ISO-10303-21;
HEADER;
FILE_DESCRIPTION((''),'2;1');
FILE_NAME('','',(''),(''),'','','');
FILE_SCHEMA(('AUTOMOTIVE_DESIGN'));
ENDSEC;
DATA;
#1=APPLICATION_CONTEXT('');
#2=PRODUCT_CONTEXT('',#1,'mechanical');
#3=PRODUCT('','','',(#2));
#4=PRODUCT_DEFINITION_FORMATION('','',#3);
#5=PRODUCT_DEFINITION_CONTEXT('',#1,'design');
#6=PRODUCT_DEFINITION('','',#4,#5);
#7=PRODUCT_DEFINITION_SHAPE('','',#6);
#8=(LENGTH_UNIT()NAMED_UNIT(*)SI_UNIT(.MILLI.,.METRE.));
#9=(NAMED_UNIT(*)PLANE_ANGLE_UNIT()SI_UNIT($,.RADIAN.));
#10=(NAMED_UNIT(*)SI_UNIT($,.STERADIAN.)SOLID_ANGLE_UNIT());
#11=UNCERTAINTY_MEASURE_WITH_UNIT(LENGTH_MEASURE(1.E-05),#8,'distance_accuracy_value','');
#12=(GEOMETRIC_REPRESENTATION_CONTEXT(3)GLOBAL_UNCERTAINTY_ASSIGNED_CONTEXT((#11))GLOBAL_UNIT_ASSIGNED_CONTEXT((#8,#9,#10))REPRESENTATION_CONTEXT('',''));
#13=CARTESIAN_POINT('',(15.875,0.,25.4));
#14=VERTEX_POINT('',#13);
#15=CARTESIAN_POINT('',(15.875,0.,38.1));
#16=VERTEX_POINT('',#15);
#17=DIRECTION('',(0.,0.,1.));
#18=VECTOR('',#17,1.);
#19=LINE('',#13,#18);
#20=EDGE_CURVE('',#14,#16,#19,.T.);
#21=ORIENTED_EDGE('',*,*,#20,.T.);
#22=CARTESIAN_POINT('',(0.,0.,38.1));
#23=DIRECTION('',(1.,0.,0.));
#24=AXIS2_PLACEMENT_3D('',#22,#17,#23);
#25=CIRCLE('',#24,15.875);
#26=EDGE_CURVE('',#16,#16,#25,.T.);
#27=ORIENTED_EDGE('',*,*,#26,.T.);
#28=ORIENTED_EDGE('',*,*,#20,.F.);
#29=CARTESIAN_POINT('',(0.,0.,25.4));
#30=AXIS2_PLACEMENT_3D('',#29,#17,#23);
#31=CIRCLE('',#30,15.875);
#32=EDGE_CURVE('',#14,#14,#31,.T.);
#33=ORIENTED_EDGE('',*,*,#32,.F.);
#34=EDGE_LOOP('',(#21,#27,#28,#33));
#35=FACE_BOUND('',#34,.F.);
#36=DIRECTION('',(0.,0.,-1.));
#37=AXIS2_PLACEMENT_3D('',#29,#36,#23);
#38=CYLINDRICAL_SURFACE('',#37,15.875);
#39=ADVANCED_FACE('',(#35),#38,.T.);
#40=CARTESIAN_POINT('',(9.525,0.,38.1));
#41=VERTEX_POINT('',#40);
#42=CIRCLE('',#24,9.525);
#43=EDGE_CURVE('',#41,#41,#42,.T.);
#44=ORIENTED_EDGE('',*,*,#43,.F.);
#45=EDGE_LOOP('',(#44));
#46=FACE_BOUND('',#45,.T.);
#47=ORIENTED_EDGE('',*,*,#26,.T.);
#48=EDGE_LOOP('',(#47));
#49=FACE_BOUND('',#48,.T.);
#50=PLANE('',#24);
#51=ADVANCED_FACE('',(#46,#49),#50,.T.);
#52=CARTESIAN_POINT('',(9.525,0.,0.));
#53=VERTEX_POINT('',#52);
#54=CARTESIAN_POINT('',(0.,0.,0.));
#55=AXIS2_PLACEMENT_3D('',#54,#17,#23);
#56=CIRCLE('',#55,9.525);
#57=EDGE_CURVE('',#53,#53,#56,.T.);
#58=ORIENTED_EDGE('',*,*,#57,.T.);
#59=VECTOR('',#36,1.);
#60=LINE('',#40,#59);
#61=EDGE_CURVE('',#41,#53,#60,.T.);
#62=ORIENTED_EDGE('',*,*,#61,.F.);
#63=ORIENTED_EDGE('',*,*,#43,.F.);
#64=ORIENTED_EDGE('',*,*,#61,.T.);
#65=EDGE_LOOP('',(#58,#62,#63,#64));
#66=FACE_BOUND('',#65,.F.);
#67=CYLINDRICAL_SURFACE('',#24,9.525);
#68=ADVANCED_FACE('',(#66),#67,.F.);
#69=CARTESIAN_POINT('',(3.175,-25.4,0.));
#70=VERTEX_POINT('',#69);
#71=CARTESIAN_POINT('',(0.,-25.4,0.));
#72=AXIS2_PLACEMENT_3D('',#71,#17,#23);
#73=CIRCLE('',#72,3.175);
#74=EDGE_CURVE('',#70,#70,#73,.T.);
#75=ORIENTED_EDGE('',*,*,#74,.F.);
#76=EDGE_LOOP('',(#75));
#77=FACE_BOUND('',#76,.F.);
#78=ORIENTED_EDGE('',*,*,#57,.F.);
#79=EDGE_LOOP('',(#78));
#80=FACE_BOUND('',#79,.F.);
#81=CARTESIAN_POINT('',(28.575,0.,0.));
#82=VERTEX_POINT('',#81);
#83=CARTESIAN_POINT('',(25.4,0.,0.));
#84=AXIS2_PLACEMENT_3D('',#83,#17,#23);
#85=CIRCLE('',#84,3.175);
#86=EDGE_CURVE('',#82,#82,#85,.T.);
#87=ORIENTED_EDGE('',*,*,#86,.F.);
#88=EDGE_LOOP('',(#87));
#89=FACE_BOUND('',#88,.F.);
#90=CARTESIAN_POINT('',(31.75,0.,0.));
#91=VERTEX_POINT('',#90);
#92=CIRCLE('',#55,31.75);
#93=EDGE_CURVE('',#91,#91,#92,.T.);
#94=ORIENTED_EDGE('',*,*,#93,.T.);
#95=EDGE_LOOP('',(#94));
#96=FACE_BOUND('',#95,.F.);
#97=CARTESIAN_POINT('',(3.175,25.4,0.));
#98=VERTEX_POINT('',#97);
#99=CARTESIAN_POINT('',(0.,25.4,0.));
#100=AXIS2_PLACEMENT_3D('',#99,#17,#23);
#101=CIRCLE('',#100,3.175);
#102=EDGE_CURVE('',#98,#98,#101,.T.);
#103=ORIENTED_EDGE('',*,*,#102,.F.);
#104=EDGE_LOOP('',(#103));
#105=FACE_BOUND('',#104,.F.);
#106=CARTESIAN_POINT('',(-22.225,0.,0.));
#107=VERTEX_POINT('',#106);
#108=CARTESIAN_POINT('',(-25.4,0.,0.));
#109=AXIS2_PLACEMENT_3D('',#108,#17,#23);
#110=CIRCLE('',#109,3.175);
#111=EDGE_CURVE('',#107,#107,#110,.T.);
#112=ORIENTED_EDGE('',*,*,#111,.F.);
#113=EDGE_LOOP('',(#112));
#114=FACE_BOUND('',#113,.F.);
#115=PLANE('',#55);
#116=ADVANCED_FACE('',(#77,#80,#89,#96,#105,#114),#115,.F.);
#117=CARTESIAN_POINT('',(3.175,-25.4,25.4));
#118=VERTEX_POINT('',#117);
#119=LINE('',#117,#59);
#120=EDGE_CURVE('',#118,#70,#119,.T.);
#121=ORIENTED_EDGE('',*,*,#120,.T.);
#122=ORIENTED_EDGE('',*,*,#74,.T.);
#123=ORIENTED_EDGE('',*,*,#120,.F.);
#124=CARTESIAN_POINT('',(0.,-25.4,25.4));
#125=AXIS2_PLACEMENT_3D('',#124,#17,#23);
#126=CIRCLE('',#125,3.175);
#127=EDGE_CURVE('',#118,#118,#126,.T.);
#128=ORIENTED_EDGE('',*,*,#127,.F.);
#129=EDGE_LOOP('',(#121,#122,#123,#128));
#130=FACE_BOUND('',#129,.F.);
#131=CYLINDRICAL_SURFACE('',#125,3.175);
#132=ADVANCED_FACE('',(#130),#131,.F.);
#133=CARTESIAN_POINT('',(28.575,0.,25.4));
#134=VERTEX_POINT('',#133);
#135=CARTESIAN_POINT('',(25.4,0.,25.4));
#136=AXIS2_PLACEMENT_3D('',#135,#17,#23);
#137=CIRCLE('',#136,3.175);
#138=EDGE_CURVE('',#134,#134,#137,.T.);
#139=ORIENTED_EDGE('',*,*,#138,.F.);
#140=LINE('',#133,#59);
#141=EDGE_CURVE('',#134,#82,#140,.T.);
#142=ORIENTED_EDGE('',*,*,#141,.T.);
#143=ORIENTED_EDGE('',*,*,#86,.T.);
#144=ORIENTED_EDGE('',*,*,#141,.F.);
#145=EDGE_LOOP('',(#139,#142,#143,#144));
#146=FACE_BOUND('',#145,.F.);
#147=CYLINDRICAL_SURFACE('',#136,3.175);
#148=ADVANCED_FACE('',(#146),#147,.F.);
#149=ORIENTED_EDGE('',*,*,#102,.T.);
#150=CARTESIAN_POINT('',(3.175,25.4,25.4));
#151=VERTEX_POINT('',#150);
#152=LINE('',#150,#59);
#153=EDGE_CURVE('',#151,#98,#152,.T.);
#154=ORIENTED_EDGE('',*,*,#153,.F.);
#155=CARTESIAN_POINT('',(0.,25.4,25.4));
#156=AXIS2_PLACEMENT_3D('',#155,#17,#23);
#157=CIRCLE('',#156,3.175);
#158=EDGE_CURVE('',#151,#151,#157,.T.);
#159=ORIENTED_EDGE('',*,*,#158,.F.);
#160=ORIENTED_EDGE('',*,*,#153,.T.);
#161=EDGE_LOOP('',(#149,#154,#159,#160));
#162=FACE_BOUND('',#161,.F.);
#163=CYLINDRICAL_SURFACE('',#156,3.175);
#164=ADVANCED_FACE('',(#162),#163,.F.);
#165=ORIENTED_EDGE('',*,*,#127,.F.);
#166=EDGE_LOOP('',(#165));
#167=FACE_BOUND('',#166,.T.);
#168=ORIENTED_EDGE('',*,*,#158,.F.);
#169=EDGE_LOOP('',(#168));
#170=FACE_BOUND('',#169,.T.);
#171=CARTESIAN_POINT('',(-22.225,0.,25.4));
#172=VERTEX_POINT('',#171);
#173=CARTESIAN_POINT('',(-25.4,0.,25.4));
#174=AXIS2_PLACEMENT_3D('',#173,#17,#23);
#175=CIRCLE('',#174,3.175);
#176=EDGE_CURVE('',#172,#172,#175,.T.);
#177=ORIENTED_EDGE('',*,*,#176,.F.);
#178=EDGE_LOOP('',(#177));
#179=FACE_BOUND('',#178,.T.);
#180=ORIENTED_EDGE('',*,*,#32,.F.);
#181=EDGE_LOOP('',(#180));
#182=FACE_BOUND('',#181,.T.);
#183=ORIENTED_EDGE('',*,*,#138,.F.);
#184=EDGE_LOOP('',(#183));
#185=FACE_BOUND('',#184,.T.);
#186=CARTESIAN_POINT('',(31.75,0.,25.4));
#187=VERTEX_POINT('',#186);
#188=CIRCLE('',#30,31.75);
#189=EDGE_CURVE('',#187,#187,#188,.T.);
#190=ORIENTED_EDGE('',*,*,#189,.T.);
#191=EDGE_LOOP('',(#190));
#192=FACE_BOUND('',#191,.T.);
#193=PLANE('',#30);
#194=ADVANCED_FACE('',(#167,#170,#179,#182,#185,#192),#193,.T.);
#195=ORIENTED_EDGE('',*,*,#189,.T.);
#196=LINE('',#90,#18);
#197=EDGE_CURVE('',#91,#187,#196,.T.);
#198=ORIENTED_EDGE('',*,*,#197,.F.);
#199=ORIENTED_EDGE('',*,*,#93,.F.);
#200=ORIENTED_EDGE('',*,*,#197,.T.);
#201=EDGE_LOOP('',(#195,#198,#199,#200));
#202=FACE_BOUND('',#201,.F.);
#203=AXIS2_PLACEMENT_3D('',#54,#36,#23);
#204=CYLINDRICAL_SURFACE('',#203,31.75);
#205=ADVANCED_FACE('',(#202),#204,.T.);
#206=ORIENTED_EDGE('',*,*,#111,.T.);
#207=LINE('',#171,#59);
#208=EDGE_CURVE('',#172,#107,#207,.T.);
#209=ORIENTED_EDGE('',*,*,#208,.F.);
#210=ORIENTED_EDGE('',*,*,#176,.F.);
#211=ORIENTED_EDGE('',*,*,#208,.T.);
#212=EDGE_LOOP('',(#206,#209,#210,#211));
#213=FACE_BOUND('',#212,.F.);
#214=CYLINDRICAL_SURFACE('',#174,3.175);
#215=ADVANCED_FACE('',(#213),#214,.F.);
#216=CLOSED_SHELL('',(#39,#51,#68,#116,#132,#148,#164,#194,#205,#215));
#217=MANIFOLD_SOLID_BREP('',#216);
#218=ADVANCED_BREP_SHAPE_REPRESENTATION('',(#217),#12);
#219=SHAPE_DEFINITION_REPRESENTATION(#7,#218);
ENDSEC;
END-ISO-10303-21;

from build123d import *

# Parameters (mm, degrees)
F0_R     = 31.75
F1_DEPTH = 25.4
F2_R     = 15.875
F3_DEPTH = 12.7
F4_R     = 9.525
F5_DEPTH = 38.101
F6_R     = 3.175
F7_DEPTH = 25.401


with BuildPart() as f1:
    # F0 (on Top) → F1 (new body)
    with BuildSketch(Plane.XY):
        Circle(F0_R)
    extrude(amount=F1_DEPTH)

    # F2 (on face) → F3 (join)
    with BuildSketch(Plane.XY.offset(25.4)):
        Circle(F2_R)
    extrude(amount=F3_DEPTH)

    # F4 (on face) → F5 (cut, through all)
    with BuildSketch(Plane.XY.offset(38.1)):
        Circle(F4_R)
    extrude(amount=-F5_DEPTH, mode=Mode.SUBTRACT)

    # F6 (on face) → F7 (cut, through all)
    with BuildSketch(Plane.XY.offset(25.4)):
        with Locations((0, 25.4)):
            Circle(F6_R)
        with Locations((-25.4, 0)):
            Circle(F6_R)
        with Locations((0, -25.4)):
            Circle(F6_R)
        with Locations((25.4, 0)):
            Circle(F6_R)
    extrude(amount=-F7_DEPTH, mode=Mode.SUBTRACT)


solid = f1.part
